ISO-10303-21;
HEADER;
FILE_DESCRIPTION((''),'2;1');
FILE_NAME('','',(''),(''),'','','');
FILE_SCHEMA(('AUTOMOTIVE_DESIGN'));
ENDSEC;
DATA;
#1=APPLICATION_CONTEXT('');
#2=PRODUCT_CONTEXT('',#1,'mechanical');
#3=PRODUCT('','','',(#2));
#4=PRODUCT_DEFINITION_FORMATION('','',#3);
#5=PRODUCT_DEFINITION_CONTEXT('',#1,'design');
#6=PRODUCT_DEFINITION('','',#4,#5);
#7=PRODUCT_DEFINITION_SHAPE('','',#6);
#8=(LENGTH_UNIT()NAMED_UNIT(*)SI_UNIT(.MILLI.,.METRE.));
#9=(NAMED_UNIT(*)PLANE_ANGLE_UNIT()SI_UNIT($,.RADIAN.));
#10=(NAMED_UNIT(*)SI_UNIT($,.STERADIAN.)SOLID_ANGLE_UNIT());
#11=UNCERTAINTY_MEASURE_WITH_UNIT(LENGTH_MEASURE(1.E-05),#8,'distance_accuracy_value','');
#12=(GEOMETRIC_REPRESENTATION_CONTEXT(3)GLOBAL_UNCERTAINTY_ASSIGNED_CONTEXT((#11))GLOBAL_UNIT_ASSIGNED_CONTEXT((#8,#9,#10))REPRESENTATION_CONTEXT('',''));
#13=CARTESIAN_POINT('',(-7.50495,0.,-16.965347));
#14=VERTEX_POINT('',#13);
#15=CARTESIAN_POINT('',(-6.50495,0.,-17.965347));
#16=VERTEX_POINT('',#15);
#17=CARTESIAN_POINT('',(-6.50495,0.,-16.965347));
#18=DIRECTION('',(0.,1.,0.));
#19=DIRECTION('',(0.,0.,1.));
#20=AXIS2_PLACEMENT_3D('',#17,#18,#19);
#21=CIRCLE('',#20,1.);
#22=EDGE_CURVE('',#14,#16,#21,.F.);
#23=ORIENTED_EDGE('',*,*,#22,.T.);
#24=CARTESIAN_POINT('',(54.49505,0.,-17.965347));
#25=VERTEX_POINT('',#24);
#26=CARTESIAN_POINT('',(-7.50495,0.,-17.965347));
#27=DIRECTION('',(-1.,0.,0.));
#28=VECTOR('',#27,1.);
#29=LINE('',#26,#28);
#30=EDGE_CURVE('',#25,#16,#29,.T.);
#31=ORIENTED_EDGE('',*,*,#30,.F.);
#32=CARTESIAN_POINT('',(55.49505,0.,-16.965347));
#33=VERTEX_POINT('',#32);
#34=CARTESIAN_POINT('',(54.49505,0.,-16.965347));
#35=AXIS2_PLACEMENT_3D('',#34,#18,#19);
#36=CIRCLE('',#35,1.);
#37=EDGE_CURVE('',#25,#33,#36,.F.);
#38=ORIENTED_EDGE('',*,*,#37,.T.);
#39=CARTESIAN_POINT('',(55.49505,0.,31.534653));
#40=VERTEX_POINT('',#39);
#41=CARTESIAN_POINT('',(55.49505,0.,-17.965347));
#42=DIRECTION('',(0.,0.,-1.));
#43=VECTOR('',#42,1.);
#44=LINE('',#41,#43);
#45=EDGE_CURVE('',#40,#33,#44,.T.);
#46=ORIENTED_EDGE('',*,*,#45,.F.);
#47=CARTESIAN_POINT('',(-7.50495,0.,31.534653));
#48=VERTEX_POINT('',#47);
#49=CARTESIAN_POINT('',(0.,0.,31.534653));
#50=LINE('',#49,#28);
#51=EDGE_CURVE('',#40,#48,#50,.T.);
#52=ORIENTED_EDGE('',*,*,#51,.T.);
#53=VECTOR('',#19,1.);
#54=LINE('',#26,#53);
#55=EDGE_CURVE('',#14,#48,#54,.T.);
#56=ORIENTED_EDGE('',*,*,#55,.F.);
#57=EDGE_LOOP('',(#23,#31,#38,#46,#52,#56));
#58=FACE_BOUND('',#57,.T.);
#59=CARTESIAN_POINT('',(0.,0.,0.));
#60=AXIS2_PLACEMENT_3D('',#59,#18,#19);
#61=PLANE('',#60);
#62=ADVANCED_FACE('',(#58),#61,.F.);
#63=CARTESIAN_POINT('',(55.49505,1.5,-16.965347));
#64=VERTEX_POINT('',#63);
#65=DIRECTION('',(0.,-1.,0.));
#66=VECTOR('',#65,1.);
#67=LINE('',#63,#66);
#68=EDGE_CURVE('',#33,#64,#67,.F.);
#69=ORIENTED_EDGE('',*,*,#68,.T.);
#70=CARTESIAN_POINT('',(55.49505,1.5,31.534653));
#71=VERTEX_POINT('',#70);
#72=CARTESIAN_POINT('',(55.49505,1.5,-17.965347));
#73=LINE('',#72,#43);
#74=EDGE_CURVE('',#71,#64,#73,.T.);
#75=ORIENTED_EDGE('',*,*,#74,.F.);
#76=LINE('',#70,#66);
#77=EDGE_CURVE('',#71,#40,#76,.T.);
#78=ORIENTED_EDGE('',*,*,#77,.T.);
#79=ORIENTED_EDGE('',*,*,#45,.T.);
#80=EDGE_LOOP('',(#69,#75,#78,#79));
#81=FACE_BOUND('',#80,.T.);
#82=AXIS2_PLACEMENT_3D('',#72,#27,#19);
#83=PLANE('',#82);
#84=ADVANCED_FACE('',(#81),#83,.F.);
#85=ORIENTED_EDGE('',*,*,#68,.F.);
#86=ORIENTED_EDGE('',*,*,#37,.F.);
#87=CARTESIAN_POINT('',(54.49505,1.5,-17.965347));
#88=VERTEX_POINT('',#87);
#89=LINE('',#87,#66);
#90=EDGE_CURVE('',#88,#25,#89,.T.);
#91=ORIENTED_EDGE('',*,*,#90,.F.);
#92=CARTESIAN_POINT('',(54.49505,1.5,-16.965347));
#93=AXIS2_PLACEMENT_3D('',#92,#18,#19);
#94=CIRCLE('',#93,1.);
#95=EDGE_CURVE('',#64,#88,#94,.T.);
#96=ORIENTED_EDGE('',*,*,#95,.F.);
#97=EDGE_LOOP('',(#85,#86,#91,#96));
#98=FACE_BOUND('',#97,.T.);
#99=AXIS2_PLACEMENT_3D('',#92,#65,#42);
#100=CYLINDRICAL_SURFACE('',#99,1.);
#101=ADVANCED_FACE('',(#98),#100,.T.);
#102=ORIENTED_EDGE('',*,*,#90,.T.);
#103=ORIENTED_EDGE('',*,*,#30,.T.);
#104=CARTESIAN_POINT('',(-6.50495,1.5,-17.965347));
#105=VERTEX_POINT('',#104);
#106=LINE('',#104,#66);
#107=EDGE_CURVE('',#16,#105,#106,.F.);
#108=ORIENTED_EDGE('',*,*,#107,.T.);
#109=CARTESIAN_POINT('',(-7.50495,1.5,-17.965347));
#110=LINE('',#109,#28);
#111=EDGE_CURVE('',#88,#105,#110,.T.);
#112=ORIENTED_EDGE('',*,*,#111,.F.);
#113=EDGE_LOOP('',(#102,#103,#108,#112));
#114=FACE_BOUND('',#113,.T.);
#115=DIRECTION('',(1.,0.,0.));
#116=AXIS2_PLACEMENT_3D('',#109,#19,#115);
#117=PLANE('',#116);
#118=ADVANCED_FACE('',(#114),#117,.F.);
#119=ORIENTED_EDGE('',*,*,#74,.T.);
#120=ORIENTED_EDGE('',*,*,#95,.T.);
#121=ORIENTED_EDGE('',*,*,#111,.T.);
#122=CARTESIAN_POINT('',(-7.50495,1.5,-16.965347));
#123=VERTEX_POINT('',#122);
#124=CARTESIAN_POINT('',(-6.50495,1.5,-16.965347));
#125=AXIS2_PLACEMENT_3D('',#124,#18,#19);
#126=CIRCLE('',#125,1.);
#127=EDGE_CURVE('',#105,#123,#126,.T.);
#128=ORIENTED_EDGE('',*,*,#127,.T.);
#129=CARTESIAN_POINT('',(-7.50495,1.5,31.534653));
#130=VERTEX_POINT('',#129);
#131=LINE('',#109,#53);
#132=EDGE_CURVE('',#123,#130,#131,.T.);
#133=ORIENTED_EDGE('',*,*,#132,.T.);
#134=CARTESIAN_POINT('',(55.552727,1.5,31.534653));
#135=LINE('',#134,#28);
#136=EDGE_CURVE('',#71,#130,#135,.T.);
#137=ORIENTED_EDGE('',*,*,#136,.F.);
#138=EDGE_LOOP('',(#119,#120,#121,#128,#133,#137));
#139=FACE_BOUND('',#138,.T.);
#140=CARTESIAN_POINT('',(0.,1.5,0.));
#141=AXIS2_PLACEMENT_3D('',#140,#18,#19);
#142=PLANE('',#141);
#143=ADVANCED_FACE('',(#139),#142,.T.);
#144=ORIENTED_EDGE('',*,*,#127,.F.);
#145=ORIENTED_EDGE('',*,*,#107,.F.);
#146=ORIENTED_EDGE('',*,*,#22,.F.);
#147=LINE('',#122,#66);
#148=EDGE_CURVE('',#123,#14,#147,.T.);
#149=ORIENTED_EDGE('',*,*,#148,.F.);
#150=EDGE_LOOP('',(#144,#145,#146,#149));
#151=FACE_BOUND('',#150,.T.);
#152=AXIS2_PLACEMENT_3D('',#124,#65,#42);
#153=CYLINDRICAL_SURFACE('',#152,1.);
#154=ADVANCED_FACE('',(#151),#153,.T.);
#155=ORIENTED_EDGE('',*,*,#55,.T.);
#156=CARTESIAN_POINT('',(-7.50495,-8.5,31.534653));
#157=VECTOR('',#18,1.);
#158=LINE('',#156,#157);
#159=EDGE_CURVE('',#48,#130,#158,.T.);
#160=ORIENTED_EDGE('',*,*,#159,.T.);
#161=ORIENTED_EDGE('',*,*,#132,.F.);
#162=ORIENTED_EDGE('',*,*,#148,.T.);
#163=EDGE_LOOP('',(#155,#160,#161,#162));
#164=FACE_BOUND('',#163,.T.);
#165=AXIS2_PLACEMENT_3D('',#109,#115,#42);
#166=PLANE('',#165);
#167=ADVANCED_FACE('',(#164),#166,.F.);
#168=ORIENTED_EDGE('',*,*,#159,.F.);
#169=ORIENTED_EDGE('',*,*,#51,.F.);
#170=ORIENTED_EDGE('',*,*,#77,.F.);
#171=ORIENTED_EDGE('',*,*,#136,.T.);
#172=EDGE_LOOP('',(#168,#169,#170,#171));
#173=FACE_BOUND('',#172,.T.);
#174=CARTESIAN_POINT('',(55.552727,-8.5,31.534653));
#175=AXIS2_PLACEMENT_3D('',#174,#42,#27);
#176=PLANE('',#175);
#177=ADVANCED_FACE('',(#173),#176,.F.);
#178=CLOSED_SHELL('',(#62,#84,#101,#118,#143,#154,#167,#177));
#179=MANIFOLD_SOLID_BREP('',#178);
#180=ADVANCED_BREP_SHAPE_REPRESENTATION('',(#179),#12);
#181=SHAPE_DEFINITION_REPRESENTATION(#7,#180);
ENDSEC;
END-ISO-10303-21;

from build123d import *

# Parameters (mm, degrees)
SKETCH1_W           = 63
SKETCH1_H           = 57
BOSS_EXTRUDE1_DEPTH = 1.5
FILLET1_R           = 1
FILLET2_R           = 1
FILLET3_R           = 1
SKETCH3_W           = 63.057677914
SKETCH3_H           = 7.5
CUT_EXTRUDE2_DEPTH  = 10


with BuildPart() as part:
    # Sketch1 → Boss-Extrude1 (new body)
    with BuildSketch(Plane(origin=(0, 0, 0), x_dir=(1, 0, 0), z_dir=(0, 1, 0))):
        with Locations((23.995049505, -10.534653465)):
            Rectangle(SKETCH1_W, SKETCH1_H)
    extrude(amount=BOSS_EXTRUDE1_DEPTH)

    # Fillet1
    fillet1_edges = [part.edges().sort_by_distance(p)[0] for p in [
        (55.495049505, 0.75, 39.034653465),
    ]]
    fillet(fillet1_edges, radius=FILLET1_R)

    # Fillet2
    fillet2_edges = [part.edges().sort_by_distance(p)[0] for p in [
        (55.495049505, 0.75, -17.965346535),
    ]]
    fillet(fillet2_edges, radius=FILLET2_R)

    # Fillet3
    fillet3_edges = [part.edges().sort_by_distance(p)[0] for p in [
        (-7.504950495, 0.75, -17.965346535),
        (-7.504950495, 0.75, 39.034653465),
    ]]
    fillet(fillet3_edges, radius=FILLET3_R)

    # Sketch3 → Cut-Extrude2 (cut)
    with BuildSketch(Plane(origin=(0, 1.5, 0), x_dir=(1, 0, 0), z_dir=(0, 1, 0))):
        with Locations((24.023888462, -35.284653465)):
            Rectangle(SKETCH3_W, SKETCH3_H)
    extrude(amount=-CUT_EXTRUDE2_DEPTH, mode=Mode.SUBTRACT)


solid = part.part
